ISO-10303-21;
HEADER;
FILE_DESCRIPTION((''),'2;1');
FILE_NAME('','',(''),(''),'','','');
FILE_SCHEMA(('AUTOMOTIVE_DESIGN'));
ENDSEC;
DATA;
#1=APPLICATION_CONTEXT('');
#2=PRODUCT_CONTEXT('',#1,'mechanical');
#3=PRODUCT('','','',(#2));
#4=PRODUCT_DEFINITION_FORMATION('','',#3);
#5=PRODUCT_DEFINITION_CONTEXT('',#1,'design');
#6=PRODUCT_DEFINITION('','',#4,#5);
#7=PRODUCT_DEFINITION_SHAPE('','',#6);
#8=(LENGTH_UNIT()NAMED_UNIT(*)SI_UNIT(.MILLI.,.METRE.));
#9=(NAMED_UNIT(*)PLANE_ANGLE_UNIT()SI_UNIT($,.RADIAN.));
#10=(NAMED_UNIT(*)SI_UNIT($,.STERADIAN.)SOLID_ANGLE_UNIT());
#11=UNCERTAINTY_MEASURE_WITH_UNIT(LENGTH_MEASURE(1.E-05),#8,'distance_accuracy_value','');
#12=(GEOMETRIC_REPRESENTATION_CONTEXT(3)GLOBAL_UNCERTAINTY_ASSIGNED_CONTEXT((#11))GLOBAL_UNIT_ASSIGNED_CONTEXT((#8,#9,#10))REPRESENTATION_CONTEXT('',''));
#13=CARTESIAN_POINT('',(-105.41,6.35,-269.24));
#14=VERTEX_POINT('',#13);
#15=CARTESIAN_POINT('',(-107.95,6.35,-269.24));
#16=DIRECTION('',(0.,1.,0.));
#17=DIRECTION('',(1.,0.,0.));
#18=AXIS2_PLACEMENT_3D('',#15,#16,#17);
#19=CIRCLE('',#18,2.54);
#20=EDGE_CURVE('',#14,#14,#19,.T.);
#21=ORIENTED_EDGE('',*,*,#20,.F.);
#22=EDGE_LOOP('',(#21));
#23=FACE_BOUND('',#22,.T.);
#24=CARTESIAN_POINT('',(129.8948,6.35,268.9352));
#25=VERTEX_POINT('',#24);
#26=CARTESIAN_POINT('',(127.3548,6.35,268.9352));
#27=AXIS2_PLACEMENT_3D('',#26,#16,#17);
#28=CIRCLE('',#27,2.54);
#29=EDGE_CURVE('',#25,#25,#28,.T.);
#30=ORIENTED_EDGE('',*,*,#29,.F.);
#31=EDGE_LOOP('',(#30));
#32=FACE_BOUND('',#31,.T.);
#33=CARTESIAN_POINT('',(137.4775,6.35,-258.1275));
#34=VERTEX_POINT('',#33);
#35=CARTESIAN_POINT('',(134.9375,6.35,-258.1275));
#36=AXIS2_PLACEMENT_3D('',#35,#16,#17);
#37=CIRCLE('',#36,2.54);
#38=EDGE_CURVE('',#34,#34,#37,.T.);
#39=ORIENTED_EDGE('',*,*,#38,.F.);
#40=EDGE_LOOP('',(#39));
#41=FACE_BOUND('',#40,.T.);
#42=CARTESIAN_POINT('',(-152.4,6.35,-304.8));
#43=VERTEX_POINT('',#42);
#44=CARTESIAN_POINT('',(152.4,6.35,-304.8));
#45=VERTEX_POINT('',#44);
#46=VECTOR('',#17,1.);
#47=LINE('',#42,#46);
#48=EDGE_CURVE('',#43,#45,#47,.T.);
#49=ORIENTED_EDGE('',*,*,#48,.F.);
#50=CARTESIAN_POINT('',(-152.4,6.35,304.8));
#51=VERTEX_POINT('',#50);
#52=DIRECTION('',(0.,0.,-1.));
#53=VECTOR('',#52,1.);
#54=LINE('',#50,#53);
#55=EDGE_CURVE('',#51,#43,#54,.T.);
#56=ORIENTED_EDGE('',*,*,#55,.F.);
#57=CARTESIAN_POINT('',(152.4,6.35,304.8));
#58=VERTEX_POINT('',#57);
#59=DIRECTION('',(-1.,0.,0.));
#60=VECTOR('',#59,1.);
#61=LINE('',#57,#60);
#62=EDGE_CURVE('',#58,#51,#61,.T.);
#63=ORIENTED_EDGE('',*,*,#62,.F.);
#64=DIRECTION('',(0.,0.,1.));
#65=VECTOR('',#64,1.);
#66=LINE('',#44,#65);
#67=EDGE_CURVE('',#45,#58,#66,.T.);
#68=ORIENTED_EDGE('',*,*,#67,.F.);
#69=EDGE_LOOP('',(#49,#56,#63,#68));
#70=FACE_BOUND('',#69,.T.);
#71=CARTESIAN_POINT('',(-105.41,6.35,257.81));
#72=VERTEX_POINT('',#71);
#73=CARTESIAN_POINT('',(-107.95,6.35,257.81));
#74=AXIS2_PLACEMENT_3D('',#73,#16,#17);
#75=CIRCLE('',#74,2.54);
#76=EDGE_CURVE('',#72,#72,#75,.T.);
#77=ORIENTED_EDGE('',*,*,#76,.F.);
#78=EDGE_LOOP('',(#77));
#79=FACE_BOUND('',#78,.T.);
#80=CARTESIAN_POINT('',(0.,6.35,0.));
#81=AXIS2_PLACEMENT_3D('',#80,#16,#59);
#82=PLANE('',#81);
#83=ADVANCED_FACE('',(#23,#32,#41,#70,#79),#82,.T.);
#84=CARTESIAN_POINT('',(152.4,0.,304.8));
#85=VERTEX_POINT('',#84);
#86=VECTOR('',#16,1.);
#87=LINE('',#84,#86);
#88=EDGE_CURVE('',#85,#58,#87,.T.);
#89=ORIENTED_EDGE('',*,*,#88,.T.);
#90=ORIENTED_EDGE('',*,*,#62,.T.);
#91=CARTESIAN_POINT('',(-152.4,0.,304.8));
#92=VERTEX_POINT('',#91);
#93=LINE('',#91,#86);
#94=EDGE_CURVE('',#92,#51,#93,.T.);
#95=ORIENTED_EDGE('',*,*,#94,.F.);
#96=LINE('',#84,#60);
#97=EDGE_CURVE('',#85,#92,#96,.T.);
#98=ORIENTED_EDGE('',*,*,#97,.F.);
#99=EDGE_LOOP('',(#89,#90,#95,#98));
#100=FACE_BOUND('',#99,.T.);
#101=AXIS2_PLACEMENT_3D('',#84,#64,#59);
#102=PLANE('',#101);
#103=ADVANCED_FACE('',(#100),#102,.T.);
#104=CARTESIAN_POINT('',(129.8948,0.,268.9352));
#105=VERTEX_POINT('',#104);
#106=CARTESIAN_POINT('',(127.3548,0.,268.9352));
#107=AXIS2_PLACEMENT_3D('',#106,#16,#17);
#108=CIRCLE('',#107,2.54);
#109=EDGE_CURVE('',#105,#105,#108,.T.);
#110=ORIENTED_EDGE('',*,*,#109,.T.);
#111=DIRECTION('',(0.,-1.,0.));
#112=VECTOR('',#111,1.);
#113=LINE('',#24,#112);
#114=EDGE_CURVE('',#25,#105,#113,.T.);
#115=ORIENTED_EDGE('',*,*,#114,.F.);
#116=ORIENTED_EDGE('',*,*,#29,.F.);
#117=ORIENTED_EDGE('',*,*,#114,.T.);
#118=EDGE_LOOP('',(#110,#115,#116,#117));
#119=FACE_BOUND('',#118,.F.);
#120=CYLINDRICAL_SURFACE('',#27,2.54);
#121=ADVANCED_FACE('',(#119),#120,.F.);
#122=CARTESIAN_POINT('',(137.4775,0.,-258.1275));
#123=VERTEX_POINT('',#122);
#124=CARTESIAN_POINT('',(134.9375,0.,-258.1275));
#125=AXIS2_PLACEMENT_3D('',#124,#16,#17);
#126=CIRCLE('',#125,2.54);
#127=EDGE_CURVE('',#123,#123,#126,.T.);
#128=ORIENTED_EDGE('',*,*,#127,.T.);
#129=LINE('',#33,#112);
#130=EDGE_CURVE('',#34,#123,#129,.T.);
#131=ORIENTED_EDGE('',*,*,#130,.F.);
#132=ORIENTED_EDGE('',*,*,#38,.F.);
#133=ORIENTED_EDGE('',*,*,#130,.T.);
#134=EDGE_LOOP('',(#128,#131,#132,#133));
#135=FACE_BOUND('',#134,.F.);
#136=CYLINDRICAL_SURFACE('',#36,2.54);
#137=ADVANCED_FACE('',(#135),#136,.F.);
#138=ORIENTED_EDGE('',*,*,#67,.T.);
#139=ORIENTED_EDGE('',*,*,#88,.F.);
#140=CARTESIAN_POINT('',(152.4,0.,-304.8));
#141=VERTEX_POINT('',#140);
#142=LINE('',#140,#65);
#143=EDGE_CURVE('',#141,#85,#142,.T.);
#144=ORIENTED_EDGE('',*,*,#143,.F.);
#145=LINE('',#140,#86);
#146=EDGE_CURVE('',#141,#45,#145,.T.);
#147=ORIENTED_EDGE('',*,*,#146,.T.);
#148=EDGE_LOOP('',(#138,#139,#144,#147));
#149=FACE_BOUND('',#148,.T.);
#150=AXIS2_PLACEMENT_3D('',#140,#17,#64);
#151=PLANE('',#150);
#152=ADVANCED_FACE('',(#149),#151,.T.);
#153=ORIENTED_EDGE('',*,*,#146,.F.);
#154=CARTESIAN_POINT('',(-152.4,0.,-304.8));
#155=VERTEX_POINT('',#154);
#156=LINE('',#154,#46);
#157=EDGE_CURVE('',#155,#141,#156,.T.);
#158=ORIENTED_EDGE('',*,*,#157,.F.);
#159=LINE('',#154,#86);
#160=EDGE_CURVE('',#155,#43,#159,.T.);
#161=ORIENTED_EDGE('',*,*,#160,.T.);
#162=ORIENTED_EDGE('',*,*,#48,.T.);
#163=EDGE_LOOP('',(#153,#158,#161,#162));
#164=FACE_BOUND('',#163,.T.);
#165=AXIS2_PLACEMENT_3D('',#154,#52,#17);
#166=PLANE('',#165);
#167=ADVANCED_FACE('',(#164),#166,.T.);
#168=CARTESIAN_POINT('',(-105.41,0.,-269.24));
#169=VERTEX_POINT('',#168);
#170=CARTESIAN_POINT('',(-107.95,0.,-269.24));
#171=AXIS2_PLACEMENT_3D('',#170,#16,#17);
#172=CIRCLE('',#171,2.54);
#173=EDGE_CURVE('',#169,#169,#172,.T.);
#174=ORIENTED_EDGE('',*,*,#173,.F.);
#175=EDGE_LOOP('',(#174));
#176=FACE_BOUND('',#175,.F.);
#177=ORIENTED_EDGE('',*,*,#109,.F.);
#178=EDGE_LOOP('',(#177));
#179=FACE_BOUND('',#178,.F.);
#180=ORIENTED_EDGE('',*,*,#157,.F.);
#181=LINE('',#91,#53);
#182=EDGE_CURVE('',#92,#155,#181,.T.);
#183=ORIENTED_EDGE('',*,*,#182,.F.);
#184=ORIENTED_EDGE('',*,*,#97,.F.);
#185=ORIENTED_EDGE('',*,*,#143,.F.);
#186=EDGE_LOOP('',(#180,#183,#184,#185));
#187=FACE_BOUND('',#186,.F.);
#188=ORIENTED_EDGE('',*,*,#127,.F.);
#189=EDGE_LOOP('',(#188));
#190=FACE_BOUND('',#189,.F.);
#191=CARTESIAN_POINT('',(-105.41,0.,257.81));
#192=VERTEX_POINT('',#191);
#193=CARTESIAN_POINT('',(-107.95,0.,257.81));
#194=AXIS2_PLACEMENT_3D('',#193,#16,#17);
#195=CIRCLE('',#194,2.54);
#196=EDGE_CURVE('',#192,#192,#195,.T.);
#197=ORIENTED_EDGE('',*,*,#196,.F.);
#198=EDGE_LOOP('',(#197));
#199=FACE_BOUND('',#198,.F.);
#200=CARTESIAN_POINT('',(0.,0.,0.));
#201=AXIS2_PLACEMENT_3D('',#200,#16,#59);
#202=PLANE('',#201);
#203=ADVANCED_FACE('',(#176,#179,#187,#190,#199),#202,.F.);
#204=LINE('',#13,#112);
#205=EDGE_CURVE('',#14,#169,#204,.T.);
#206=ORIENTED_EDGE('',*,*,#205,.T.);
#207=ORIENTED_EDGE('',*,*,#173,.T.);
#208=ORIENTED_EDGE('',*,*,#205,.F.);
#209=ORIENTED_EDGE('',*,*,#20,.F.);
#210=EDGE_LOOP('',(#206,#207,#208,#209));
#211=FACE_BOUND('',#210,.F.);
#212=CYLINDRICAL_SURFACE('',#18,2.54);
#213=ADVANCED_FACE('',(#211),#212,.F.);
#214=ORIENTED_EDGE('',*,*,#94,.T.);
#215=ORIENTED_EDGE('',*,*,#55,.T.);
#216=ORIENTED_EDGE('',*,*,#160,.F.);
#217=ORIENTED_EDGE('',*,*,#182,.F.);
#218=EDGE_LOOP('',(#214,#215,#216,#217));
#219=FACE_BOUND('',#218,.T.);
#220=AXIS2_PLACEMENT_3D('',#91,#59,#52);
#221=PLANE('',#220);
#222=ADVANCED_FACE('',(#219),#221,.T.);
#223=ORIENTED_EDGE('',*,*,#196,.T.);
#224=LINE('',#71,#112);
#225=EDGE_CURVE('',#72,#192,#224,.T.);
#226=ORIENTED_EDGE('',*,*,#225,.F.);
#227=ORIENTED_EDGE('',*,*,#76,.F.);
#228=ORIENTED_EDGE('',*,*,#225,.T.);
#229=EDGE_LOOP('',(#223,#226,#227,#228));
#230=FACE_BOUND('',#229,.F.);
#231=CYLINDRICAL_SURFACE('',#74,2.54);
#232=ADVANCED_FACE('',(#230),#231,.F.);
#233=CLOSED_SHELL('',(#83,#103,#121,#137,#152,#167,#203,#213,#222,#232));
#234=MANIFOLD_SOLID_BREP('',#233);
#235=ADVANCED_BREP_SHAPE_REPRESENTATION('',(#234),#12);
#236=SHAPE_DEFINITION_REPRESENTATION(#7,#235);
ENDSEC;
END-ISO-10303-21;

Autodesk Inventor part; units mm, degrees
ref_plane "YZ Plane" through (0, 0, 0) normal (1, 0, 0) x (0, 1, 0)
ref_plane "XZ Plane" through (0, 0, 0) normal (0, 1, 0) x (-1, 0, 0)
ref_plane "XY Plane" through (0, 0, 0) normal (0, 0, 1) x (1, 0, 0)
sketch "Sketch1" plane through (0, 0, 0) normal (0, 1, 0) x (-1, 0, 0)
  line L0 (-152.4, 304.8) -> (152.4, 304.8)
  line L1 (152.4, 304.8) -> (152.4, -304.8)
  line L2 (152.4, -304.8) -> (-152.4, -304.8)
  line L3 (-152.4, -304.8) -> (-152.4, 304.8)
  line L4 (-152.4, 304.8) -> (152.4, -304.8) construction
  line L5 (152.4, 304.8) -> (-152.4, -304.8) construction
  point P0 (0, 0)
  dimension "d0" = 609.6
  dimension "d1" = 304.8
extrude "Extrusion1" add sketch "Sketch1" along normal blind 6.35
sketch "Sketch2" plane through (0, 6.35, 0) normal (0, 1, 0) x (1, 0, 0)
  circle A0 centre (-107.95, 269.24) radius 2.54
  circle A1 centre (134.9375, 258.1275) radius 2.54
  line L0 (152.4, 304.8) -> (-152.4, 304.8) projected
  line L1 (-152.4, 304.8) -> (-152.4, -304.8) projected
  circle A2 centre (-107.95, -257.81) radius 2.54
  circle A3 centre (127.3548, -268.9352) radius 2.54
  point P0 (0, 0)
  dimension "d4" = 242.8875
  dimension "d8" = 44.45
  dimension "d9" = 11.1252
  dimension "d10" = 527.05
  dimension "d11" = 5.08
  dimension "d12" = 5.08
  dimension "d13" = 5.08
  dimension "d14" = 5.08
  dimension "d15" = 11.1125
  dimension "d16" = 35.56
extrude "Extrusion2" cut sketch "Sketch2" against normal up to next
properties part number "OdorMachineShelf"
